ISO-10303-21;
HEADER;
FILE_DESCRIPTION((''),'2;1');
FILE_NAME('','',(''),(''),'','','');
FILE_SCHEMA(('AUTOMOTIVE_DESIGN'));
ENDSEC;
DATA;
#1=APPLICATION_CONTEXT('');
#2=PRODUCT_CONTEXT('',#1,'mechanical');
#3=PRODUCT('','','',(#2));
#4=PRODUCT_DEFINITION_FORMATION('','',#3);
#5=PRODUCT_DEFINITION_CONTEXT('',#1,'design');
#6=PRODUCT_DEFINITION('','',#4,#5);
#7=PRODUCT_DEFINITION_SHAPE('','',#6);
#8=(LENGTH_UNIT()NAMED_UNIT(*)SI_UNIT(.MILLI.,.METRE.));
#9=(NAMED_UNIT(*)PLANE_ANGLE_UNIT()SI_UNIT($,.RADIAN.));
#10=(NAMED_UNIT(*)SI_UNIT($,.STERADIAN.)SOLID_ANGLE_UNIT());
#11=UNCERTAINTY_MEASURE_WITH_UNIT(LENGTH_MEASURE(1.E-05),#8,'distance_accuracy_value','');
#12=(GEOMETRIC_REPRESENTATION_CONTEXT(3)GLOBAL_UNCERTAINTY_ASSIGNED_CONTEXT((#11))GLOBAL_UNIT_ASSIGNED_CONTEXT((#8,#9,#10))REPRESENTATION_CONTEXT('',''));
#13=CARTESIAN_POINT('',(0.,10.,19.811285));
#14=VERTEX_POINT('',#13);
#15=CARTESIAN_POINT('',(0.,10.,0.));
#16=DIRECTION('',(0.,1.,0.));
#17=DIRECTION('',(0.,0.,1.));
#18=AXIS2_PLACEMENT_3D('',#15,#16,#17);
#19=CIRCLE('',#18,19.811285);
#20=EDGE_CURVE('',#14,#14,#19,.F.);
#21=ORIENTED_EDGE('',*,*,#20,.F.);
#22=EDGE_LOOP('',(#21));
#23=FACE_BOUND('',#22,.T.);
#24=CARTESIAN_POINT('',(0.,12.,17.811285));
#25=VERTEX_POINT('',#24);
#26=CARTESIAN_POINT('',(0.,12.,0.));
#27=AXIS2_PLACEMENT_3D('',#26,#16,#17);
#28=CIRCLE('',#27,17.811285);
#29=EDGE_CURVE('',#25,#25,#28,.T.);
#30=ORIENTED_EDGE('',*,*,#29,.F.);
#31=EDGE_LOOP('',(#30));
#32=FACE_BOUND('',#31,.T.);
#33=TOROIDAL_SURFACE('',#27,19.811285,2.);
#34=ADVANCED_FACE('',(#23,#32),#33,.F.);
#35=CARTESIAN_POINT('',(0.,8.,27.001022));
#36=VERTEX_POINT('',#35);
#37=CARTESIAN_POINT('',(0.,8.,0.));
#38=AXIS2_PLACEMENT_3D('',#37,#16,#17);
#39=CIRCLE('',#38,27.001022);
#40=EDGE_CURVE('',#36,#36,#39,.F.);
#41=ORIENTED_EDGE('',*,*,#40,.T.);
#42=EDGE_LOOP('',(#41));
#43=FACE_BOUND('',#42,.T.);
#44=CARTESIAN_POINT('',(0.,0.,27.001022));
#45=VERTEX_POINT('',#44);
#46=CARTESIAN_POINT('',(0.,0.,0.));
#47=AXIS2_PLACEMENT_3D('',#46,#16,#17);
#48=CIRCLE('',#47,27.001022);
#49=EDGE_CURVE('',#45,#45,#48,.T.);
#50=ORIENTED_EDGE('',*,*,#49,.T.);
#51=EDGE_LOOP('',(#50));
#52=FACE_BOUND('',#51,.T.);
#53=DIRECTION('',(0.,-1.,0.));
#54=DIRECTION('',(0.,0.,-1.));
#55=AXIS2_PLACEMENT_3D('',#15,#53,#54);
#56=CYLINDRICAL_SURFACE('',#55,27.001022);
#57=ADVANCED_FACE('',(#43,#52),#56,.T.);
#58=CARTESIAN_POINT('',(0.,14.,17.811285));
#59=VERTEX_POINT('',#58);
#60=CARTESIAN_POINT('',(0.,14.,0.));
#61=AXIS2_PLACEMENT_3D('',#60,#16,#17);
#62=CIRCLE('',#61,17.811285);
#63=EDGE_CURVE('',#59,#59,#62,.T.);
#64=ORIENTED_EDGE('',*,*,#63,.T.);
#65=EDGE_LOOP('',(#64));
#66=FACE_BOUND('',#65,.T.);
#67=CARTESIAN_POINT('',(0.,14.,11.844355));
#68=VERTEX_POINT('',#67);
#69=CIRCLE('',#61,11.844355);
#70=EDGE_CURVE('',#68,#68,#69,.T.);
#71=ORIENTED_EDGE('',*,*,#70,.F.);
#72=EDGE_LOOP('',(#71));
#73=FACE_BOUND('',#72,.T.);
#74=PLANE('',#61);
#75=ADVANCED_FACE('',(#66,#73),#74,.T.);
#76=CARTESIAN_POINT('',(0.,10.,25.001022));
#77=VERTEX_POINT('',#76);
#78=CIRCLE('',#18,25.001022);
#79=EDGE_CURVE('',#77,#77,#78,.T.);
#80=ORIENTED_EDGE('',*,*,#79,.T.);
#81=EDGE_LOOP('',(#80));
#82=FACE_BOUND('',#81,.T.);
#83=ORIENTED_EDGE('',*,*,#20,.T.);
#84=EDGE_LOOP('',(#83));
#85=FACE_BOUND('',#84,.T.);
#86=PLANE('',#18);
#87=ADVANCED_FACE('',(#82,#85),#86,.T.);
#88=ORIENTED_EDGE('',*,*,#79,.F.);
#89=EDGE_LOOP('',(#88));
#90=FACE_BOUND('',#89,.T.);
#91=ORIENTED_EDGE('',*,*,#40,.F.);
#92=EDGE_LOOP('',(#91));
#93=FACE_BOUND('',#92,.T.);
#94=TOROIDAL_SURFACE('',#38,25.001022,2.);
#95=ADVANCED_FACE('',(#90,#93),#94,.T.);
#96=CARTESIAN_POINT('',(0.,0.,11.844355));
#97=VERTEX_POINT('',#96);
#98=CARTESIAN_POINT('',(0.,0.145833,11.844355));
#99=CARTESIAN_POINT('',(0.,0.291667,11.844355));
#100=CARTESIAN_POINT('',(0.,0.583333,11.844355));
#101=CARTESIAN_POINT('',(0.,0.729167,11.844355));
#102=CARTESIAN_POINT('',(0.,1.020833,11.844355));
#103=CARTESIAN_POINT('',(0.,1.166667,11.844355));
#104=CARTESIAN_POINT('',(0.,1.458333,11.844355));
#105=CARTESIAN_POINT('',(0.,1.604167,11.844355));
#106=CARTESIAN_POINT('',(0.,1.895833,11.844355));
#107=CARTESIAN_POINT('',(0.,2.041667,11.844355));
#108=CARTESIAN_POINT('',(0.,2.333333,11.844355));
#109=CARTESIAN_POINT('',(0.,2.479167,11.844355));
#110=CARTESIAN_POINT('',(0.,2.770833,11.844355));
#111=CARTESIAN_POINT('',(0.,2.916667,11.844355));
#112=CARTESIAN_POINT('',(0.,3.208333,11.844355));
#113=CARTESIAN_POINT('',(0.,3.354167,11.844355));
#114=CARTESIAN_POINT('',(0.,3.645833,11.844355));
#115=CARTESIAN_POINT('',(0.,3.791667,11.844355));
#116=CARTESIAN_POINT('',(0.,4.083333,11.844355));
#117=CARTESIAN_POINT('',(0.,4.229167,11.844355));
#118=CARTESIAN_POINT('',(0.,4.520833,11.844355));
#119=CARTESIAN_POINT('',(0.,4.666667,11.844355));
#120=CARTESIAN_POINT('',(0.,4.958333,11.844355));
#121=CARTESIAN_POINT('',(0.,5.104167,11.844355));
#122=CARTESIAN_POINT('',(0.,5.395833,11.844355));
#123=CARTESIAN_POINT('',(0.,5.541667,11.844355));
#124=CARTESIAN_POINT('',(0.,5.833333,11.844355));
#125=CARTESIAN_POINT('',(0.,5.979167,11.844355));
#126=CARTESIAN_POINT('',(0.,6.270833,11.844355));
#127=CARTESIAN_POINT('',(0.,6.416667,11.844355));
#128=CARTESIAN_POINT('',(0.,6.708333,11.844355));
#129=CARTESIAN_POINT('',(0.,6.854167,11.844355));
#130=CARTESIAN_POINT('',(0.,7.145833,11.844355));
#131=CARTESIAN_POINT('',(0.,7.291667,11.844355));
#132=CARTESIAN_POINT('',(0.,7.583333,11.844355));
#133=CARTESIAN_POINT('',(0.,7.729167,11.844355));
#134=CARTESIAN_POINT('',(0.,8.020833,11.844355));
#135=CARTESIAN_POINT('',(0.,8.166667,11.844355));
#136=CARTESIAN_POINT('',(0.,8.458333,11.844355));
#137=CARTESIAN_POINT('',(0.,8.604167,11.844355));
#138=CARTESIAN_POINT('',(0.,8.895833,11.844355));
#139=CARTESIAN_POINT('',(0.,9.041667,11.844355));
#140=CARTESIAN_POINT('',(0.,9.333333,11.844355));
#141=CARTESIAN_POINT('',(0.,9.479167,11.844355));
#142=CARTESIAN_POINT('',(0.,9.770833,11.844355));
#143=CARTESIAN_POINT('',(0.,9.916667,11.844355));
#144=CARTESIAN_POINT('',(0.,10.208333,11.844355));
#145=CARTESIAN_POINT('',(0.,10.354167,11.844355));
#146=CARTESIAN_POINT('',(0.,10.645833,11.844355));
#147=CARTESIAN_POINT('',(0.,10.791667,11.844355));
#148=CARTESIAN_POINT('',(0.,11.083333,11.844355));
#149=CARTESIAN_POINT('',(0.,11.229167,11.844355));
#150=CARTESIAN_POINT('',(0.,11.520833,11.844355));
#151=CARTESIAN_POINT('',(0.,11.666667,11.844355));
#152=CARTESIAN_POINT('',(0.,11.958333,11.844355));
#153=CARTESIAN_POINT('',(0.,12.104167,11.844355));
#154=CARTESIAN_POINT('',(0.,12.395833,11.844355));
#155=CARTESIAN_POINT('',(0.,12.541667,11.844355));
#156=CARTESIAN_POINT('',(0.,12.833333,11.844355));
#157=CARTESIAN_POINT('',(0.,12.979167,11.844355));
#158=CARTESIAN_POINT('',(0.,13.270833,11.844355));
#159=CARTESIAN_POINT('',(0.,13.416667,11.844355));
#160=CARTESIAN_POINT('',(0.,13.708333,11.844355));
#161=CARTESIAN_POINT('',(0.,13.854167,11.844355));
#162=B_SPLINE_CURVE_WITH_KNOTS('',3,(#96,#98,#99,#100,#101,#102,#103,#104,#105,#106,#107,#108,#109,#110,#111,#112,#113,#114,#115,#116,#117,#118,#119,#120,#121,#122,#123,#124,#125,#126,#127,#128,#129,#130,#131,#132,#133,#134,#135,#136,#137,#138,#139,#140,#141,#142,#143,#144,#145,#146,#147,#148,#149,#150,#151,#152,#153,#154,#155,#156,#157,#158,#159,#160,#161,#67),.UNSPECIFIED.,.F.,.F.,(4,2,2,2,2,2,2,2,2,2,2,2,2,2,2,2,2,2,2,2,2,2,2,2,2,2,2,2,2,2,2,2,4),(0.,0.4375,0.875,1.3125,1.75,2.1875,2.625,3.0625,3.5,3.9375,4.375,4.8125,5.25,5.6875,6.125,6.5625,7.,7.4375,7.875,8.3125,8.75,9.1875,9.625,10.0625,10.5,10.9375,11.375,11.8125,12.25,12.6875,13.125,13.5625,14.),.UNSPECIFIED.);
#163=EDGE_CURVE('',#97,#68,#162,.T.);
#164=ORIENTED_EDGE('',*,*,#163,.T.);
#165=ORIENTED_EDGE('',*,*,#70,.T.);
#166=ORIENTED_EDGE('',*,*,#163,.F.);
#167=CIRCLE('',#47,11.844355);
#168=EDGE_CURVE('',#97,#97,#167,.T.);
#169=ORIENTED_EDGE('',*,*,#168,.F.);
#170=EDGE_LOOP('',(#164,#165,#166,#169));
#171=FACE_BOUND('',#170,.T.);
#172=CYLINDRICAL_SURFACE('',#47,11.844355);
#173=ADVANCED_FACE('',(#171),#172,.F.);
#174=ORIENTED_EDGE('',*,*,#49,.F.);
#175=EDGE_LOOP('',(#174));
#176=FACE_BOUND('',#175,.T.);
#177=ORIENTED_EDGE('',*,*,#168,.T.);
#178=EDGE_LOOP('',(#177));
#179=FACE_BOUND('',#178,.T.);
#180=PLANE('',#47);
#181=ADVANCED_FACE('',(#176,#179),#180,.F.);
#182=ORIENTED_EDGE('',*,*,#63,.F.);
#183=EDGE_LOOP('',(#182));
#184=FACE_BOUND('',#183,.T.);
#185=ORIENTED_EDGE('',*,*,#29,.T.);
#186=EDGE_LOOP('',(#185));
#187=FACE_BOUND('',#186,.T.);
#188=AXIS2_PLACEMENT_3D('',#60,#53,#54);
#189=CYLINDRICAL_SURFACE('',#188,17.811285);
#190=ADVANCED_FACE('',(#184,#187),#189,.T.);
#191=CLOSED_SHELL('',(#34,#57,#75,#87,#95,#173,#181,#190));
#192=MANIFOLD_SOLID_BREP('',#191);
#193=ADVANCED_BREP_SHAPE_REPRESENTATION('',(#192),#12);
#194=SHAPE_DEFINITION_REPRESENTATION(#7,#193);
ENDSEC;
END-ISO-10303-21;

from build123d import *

# Parameters (mm, degrees)
SKETCH1_R           = 27.001022249
BOSS_EXTRUDE1_DEPTH = 10
SKETCH2_R           = 17.811284506
BOSS_EXTRUDE3_DEPTH = 4
SKETCH3_R           = 11.844355023
CUT_EXTRUDE2_DEPTH  = 41.67075614
FILLET1_R           = 2


with BuildPart() as part:
    # Sketch1 → Boss-Extrude1 (new body)
    with BuildSketch(Plane(origin=(0, 0, 0), x_dir=(1, 0, 0), z_dir=(0, 1, 0))):
        with Locations(Location((0, 0, 0), (0, 0, 270))):
            Circle(SKETCH1_R)
    extrude(amount=BOSS_EXTRUDE1_DEPTH)

    # Sketch2 → Boss-Extrude3 (add)
    with BuildSketch(Plane(origin=(0, 10, 0), x_dir=(1, 0, 0), z_dir=(0, 1, 0))):
        with Locations(Location((0, 0, 0), (0, 0, 270))):
            Circle(SKETCH2_R)
    extrude(amount=BOSS_EXTRUDE3_DEPTH)

    # Sketch3 → Cut-Extrude2 (cut, through all)
    with BuildSketch(Plane(origin=(0, 14, 0), x_dir=(1, 0, 0), z_dir=(0, 1, 0))):
        with Locations(Location((0, 0, 0), (0, 0, 270))):
            Circle(SKETCH3_R)
    extrude(amount=-CUT_EXTRUDE2_DEPTH, mode=Mode.SUBTRACT)

    # Fillet1
    fillet1_edges = [part.edges().sort_by_distance(p)[0] for p in [
        (0, 10, -27.001022249),
        (0, 10, -17.811284506),
    ]]
    fillet(fillet1_edges, radius=FILLET1_R)


solid = part.part
